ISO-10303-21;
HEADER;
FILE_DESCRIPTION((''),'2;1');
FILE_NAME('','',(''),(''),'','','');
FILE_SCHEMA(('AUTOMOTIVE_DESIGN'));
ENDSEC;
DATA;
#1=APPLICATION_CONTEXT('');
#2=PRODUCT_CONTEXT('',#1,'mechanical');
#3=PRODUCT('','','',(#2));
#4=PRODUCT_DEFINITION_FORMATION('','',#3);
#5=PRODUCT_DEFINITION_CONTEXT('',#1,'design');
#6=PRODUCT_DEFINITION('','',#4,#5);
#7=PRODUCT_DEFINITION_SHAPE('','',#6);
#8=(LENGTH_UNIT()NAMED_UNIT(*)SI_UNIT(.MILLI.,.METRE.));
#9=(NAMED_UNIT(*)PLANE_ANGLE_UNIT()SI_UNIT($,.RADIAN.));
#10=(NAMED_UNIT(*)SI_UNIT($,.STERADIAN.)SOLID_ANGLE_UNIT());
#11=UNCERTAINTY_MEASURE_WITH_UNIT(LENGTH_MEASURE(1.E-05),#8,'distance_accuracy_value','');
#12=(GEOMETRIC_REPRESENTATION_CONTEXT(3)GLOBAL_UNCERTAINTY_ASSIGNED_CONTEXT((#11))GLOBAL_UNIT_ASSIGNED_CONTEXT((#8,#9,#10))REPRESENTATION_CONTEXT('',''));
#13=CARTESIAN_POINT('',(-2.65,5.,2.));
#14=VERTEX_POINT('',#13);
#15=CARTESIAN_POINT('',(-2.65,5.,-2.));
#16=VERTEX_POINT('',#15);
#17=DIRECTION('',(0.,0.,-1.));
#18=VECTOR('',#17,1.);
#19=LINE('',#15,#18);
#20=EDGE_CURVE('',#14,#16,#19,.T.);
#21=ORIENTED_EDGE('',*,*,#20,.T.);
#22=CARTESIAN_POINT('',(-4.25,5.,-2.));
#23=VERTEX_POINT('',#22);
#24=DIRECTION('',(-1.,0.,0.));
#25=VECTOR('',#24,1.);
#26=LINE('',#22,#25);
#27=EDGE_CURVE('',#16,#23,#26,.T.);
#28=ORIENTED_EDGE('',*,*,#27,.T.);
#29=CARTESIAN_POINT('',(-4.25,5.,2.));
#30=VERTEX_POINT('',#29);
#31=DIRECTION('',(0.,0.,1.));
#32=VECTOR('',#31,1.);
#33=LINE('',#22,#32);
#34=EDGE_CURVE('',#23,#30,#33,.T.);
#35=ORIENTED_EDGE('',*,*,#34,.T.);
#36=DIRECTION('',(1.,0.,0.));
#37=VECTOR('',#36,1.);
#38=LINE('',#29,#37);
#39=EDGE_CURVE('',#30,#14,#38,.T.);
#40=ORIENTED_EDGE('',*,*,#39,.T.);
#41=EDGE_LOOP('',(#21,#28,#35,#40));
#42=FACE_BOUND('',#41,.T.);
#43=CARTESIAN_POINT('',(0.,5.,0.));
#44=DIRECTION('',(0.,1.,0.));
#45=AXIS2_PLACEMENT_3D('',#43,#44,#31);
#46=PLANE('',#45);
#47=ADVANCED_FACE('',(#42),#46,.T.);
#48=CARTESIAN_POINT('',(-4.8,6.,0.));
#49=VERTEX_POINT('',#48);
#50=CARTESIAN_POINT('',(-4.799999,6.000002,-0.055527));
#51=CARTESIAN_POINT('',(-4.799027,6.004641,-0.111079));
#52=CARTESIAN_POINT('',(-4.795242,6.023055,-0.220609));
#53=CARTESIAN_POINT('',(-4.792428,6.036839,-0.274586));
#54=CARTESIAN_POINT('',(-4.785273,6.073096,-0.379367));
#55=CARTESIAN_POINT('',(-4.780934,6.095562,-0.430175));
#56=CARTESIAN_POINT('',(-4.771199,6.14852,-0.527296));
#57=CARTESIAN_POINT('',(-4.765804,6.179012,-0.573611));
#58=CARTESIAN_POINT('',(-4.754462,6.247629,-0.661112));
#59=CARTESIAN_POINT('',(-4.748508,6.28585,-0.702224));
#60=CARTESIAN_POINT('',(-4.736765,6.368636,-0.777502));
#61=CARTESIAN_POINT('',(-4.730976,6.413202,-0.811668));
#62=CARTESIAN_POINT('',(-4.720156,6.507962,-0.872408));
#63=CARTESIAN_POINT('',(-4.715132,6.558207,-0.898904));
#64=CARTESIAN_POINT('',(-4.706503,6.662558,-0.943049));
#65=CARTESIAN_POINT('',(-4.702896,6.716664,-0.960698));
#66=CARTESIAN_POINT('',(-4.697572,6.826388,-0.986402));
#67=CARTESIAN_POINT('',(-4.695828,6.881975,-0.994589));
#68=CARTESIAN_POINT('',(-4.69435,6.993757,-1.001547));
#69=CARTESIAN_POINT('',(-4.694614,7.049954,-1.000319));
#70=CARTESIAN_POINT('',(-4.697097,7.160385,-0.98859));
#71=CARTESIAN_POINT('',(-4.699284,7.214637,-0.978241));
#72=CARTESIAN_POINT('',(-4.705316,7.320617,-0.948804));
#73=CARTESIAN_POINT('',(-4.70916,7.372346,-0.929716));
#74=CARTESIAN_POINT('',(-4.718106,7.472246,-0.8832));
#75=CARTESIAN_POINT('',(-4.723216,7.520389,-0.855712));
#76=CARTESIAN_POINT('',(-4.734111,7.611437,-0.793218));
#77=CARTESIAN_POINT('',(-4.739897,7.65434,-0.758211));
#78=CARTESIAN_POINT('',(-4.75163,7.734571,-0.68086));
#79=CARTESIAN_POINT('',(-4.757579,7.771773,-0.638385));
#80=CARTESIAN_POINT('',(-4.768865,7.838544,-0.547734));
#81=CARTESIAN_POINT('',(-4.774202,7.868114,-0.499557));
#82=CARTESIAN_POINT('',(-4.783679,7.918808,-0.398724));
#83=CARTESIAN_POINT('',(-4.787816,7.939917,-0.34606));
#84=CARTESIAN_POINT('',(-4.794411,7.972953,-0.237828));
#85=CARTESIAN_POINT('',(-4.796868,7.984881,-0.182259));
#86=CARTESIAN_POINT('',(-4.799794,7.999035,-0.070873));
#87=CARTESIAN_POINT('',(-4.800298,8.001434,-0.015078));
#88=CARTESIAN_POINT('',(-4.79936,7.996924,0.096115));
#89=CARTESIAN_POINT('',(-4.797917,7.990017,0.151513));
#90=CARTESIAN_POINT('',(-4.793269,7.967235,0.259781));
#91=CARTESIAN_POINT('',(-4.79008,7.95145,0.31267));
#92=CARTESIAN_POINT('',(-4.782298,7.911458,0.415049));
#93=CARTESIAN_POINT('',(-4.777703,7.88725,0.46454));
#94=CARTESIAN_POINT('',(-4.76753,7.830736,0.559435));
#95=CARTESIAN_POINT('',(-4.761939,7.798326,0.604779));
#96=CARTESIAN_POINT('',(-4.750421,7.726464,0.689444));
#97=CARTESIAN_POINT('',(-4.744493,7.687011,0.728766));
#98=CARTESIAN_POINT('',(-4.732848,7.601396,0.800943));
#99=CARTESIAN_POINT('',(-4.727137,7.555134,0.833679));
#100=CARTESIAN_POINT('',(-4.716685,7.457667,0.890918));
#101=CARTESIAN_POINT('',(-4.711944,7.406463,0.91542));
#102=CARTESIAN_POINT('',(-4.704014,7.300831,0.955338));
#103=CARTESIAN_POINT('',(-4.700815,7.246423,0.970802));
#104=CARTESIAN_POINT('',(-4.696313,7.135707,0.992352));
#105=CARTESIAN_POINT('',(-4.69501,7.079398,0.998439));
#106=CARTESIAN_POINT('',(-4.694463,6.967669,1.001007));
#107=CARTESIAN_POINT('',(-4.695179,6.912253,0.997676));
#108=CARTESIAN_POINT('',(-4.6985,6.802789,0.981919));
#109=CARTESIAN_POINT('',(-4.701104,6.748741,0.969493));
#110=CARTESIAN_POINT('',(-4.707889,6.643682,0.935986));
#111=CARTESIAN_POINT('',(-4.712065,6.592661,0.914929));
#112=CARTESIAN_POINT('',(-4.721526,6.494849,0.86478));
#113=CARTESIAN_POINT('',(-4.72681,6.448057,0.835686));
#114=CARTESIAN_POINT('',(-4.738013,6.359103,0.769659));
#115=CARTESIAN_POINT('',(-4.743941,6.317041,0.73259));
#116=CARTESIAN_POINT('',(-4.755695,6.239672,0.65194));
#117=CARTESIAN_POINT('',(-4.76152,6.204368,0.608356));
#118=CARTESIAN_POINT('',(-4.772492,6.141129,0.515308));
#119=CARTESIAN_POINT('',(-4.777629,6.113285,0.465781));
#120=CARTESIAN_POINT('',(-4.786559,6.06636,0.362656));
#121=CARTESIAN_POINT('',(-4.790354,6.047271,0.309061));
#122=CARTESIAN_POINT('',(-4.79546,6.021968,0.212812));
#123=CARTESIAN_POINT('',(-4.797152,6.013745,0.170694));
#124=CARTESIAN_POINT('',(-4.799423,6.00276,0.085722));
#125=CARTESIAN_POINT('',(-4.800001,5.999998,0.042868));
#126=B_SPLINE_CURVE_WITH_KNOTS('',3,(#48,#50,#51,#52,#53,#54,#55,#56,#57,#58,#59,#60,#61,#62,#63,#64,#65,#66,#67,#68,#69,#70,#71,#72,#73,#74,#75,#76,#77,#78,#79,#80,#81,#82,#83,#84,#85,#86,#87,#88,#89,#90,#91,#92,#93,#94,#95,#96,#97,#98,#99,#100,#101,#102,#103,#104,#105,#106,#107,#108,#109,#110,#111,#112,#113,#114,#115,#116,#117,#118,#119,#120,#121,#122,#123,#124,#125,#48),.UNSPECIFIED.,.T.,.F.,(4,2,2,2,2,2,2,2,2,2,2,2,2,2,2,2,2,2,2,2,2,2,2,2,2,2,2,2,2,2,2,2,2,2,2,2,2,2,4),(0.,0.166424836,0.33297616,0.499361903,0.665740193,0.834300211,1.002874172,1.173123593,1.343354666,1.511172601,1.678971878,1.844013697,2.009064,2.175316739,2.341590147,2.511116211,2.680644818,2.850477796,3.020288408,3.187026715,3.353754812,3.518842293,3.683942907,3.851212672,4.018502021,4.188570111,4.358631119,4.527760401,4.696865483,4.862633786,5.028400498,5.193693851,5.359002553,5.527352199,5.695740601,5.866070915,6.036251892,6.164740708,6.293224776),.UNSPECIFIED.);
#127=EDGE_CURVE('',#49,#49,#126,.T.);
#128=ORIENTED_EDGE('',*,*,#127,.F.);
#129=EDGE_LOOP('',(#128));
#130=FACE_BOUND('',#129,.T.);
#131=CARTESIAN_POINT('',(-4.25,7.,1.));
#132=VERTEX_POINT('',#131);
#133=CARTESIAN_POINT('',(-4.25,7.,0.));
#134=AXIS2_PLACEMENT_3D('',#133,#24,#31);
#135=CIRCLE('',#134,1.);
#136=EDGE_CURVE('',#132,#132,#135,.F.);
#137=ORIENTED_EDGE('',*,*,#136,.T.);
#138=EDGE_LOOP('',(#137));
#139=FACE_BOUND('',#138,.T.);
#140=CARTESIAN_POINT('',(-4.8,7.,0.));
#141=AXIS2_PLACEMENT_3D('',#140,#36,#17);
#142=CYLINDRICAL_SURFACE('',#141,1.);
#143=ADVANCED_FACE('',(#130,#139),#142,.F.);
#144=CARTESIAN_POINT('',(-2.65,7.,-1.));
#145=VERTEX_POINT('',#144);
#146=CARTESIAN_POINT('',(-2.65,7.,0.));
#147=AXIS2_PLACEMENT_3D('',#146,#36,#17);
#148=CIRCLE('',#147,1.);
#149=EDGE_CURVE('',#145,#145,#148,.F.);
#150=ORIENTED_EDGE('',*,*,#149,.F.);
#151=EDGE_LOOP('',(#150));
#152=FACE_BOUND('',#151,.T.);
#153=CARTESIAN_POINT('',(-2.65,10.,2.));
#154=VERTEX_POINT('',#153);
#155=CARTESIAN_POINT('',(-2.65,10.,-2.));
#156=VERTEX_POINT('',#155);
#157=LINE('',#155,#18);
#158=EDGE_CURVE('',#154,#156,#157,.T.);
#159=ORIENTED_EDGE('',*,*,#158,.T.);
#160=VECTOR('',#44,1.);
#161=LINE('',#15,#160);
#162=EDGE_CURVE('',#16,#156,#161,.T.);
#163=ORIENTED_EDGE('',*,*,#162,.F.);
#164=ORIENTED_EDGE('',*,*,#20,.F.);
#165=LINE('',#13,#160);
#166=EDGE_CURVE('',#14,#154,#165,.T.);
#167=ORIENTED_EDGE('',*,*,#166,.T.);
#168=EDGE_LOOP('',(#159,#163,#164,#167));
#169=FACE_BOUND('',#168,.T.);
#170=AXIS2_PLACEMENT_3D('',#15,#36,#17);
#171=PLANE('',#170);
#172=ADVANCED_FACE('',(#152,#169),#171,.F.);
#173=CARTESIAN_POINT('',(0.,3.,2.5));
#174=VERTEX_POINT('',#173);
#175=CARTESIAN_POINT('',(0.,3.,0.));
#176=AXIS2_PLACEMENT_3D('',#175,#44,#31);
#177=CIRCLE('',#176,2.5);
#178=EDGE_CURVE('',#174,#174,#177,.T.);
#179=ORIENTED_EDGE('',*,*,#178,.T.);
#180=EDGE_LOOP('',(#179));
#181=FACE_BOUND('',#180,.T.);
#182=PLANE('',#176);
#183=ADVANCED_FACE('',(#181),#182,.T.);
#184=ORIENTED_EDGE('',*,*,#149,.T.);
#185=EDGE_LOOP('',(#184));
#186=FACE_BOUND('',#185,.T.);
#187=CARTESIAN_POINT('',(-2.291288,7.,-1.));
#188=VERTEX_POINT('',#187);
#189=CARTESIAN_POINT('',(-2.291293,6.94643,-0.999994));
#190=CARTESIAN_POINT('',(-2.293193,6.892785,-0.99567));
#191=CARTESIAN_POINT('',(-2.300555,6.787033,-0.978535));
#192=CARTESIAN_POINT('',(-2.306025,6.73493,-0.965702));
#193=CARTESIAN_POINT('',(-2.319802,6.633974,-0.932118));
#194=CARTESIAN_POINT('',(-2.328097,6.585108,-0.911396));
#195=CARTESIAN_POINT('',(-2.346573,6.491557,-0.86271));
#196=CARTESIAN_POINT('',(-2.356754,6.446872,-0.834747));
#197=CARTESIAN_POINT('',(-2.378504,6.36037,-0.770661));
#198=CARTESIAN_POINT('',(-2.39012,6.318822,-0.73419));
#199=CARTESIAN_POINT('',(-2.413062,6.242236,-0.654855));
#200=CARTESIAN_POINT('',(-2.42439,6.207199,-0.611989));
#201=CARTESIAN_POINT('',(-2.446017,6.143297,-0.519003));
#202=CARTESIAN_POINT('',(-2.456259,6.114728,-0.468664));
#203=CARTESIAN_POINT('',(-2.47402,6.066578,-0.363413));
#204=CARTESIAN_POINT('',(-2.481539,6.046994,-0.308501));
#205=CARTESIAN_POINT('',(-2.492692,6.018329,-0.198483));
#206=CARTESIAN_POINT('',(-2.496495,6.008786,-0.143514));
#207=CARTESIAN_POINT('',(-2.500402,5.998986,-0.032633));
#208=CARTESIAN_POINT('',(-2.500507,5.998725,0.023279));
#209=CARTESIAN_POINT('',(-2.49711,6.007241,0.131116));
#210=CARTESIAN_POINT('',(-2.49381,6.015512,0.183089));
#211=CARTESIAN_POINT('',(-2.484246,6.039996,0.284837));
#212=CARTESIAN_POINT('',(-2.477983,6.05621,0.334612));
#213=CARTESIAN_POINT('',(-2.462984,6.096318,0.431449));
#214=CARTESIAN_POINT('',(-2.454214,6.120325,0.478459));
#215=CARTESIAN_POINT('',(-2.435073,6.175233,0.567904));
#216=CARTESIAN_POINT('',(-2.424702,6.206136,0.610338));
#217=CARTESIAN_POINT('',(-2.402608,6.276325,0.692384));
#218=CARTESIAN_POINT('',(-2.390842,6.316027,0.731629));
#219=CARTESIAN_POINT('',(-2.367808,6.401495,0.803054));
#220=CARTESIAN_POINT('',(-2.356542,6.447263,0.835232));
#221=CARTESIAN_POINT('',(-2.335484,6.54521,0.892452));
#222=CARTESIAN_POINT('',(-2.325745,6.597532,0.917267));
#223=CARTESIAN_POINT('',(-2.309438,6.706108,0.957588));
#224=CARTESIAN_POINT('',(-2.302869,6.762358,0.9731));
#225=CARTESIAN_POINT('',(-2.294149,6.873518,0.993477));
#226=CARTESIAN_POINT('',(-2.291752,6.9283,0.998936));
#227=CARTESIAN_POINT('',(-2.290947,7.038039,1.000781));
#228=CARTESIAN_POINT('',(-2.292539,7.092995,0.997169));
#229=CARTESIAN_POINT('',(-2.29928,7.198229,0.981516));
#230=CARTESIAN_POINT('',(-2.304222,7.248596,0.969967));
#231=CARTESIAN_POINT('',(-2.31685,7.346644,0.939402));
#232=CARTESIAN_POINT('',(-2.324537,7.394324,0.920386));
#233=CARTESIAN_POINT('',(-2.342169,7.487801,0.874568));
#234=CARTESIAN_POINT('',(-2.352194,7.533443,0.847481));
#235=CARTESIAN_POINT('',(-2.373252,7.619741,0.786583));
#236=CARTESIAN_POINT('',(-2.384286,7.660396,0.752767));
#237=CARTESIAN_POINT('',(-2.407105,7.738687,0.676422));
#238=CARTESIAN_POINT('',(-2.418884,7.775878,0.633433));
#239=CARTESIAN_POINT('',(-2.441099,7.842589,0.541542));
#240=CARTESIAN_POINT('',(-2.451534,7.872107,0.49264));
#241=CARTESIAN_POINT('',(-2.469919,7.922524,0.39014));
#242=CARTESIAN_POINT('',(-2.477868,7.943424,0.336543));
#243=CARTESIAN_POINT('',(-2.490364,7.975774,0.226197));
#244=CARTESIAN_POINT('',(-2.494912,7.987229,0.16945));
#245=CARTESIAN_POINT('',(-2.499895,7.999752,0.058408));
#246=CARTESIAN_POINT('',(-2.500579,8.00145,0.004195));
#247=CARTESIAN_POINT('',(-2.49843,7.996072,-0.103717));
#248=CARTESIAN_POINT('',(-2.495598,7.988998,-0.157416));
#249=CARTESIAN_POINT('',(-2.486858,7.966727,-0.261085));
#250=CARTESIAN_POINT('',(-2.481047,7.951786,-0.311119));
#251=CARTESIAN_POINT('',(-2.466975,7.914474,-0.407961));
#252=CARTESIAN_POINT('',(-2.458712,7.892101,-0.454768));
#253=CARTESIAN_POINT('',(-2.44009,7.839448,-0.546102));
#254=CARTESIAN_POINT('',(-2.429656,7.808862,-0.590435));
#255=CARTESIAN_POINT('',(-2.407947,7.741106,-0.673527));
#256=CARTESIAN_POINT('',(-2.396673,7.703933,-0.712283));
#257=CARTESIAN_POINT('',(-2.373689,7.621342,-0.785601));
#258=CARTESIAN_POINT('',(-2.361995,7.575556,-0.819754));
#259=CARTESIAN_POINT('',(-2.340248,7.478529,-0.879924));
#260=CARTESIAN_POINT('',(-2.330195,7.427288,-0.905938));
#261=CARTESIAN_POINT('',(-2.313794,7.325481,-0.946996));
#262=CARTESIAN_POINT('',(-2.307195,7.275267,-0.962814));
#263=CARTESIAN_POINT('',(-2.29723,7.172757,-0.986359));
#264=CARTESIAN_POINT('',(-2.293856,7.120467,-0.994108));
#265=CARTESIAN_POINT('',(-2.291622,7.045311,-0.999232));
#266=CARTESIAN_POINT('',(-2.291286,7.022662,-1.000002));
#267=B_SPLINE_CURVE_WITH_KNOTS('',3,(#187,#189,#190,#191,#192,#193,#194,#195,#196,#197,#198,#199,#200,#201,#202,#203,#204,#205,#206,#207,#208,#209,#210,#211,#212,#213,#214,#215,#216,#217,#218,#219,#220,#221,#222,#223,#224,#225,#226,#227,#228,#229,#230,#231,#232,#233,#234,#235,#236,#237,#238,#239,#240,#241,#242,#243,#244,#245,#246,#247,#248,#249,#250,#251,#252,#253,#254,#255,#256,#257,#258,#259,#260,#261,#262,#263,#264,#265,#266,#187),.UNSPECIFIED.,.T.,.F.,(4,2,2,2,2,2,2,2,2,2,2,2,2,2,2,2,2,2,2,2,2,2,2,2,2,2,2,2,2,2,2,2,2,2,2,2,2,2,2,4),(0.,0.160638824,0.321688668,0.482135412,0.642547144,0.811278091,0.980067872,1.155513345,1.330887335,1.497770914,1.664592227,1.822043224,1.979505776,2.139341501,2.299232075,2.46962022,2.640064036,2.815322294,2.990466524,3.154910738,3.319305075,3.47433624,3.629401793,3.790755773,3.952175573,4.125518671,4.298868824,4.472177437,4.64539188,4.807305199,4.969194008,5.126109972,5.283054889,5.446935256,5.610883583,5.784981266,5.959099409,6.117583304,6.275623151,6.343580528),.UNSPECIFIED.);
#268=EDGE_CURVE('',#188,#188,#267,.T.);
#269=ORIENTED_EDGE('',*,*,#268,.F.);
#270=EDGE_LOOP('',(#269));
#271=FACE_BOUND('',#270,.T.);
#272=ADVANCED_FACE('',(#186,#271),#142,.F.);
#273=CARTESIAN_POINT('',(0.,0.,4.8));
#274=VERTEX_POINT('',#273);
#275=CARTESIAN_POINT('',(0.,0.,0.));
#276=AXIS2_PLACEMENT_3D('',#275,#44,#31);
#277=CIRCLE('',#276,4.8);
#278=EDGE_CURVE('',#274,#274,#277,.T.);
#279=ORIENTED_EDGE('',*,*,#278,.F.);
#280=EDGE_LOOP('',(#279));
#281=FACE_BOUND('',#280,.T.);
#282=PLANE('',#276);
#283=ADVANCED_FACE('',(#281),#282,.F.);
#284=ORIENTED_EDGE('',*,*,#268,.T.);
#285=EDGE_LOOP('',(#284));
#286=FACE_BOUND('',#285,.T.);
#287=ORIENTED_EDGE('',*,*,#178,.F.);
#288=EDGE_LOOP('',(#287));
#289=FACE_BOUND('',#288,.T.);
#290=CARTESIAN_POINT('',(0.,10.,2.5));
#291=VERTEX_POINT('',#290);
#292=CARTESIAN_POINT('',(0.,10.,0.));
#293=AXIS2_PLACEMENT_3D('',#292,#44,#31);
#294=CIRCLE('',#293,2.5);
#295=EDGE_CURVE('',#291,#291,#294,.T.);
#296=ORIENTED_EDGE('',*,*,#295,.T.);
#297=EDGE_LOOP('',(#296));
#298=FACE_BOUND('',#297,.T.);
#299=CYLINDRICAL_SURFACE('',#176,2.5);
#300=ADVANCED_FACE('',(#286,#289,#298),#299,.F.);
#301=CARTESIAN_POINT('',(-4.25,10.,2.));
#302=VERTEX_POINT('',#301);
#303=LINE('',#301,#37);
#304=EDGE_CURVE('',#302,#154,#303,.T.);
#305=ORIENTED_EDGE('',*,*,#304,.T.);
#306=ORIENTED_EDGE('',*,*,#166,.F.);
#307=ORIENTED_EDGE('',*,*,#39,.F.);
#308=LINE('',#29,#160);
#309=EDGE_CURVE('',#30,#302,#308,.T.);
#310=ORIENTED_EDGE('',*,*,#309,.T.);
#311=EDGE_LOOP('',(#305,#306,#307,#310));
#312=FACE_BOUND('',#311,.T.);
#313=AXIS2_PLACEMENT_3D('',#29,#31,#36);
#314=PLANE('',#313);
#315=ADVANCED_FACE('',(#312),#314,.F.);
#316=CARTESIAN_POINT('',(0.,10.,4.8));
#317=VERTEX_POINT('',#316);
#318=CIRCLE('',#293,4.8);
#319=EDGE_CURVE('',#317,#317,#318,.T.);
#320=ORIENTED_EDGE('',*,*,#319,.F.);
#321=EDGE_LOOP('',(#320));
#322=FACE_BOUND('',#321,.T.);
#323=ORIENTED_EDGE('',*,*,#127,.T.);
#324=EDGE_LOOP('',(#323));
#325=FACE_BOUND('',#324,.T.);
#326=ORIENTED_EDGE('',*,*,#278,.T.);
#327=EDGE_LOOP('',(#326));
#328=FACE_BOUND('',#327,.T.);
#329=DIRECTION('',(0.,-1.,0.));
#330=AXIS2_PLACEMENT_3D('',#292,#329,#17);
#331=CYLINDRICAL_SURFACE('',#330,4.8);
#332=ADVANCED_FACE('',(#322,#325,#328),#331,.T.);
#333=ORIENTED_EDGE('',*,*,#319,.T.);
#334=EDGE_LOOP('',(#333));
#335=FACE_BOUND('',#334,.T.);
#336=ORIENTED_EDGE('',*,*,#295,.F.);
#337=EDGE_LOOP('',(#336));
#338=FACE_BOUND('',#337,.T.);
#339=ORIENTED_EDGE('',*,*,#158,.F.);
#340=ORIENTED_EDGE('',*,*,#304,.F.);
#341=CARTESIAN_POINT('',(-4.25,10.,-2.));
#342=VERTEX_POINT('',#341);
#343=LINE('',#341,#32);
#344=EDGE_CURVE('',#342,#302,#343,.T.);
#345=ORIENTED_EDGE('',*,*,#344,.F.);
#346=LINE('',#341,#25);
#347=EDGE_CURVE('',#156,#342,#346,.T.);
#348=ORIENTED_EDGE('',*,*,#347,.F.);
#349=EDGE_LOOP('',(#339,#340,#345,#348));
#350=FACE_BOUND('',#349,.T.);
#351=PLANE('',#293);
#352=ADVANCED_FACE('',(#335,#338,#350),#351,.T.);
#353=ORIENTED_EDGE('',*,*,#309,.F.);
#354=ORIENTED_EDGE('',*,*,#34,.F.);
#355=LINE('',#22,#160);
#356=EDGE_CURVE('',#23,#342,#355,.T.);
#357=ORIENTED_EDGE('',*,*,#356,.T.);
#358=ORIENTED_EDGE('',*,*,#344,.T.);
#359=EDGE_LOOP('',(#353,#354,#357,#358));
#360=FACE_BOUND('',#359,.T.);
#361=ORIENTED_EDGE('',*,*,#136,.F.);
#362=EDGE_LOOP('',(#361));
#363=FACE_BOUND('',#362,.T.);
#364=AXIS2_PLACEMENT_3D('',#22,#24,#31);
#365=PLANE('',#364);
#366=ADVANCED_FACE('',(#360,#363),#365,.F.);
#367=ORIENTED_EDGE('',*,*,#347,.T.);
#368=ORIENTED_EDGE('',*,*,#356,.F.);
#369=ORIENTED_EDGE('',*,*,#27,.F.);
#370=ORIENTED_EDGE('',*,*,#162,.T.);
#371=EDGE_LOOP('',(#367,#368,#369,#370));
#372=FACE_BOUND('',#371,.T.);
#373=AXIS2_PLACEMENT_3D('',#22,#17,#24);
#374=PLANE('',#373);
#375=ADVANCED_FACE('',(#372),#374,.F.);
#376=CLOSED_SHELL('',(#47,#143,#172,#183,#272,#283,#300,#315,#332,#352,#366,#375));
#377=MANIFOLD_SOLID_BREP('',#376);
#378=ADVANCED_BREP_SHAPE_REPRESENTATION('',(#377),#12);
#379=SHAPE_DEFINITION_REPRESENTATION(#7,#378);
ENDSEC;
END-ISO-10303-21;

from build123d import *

# Parameters (mm, degrees)
IZIM1_R                     = 4.8
Y_KSEKLIK_EKSTR_ZYON1_DEPTH = 10
IZIM2_R                     = 2.5
KES_EKSTR_ZYON1_DEPTH       = 7
IZIM3_R                     = 1
KES_EKSTR_ZYON2_DEPTH       = 5.8
IZIM4_W                     = 1.6
IZIM4_H                     = 4
KES_EKSTR_ZYON3_DEPTH       = 5


with BuildPart() as part:
    # Çizim1 → Yükseklik-Ekstrüzyon1 (new body)
    with BuildSketch(Plane(origin=(0, 0, 0), x_dir=(1, 0, 0), z_dir=(0, 1, 0))):
        Circle(IZIM1_R)
    extrude(amount=Y_KSEKLIK_EKSTR_ZYON1_DEPTH)

    # Çizim2 → Kes-Ekstrüzyon1 (cut)
    with BuildSketch(Plane(origin=(0, 10, 0), x_dir=(1, 0, 0), z_dir=(0, 1, 0))):
        Circle(IZIM2_R)
    extrude(amount=-KES_EKSTR_ZYON1_DEPTH, mode=Mode.SUBTRACT)

    # Çizim3 → Kes-Ekstrüzyon2 (cut, through all)
    with BuildSketch(Plane(origin=(0, 0, 0), x_dir=(0, 0, -1), z_dir=(1, 0, 0))):
        with Locations((0, 7)):
            Circle(IZIM3_R)
    extrude(amount=-KES_EKSTR_ZYON2_DEPTH, mode=Mode.SUBTRACT)

    # Çizim4 → Kes-Ekstrüzyon3 (cut)
    with BuildSketch(Plane(origin=(0, 10, 0), x_dir=(1, 0, 0), z_dir=(0, 1, 0))):
        with Locations((-3.45, 0)):
            Rectangle(IZIM4_W, IZIM4_H)
    extrude(amount=-KES_EKSTR_ZYON3_DEPTH, mode=Mode.SUBTRACT)


solid = part.part
